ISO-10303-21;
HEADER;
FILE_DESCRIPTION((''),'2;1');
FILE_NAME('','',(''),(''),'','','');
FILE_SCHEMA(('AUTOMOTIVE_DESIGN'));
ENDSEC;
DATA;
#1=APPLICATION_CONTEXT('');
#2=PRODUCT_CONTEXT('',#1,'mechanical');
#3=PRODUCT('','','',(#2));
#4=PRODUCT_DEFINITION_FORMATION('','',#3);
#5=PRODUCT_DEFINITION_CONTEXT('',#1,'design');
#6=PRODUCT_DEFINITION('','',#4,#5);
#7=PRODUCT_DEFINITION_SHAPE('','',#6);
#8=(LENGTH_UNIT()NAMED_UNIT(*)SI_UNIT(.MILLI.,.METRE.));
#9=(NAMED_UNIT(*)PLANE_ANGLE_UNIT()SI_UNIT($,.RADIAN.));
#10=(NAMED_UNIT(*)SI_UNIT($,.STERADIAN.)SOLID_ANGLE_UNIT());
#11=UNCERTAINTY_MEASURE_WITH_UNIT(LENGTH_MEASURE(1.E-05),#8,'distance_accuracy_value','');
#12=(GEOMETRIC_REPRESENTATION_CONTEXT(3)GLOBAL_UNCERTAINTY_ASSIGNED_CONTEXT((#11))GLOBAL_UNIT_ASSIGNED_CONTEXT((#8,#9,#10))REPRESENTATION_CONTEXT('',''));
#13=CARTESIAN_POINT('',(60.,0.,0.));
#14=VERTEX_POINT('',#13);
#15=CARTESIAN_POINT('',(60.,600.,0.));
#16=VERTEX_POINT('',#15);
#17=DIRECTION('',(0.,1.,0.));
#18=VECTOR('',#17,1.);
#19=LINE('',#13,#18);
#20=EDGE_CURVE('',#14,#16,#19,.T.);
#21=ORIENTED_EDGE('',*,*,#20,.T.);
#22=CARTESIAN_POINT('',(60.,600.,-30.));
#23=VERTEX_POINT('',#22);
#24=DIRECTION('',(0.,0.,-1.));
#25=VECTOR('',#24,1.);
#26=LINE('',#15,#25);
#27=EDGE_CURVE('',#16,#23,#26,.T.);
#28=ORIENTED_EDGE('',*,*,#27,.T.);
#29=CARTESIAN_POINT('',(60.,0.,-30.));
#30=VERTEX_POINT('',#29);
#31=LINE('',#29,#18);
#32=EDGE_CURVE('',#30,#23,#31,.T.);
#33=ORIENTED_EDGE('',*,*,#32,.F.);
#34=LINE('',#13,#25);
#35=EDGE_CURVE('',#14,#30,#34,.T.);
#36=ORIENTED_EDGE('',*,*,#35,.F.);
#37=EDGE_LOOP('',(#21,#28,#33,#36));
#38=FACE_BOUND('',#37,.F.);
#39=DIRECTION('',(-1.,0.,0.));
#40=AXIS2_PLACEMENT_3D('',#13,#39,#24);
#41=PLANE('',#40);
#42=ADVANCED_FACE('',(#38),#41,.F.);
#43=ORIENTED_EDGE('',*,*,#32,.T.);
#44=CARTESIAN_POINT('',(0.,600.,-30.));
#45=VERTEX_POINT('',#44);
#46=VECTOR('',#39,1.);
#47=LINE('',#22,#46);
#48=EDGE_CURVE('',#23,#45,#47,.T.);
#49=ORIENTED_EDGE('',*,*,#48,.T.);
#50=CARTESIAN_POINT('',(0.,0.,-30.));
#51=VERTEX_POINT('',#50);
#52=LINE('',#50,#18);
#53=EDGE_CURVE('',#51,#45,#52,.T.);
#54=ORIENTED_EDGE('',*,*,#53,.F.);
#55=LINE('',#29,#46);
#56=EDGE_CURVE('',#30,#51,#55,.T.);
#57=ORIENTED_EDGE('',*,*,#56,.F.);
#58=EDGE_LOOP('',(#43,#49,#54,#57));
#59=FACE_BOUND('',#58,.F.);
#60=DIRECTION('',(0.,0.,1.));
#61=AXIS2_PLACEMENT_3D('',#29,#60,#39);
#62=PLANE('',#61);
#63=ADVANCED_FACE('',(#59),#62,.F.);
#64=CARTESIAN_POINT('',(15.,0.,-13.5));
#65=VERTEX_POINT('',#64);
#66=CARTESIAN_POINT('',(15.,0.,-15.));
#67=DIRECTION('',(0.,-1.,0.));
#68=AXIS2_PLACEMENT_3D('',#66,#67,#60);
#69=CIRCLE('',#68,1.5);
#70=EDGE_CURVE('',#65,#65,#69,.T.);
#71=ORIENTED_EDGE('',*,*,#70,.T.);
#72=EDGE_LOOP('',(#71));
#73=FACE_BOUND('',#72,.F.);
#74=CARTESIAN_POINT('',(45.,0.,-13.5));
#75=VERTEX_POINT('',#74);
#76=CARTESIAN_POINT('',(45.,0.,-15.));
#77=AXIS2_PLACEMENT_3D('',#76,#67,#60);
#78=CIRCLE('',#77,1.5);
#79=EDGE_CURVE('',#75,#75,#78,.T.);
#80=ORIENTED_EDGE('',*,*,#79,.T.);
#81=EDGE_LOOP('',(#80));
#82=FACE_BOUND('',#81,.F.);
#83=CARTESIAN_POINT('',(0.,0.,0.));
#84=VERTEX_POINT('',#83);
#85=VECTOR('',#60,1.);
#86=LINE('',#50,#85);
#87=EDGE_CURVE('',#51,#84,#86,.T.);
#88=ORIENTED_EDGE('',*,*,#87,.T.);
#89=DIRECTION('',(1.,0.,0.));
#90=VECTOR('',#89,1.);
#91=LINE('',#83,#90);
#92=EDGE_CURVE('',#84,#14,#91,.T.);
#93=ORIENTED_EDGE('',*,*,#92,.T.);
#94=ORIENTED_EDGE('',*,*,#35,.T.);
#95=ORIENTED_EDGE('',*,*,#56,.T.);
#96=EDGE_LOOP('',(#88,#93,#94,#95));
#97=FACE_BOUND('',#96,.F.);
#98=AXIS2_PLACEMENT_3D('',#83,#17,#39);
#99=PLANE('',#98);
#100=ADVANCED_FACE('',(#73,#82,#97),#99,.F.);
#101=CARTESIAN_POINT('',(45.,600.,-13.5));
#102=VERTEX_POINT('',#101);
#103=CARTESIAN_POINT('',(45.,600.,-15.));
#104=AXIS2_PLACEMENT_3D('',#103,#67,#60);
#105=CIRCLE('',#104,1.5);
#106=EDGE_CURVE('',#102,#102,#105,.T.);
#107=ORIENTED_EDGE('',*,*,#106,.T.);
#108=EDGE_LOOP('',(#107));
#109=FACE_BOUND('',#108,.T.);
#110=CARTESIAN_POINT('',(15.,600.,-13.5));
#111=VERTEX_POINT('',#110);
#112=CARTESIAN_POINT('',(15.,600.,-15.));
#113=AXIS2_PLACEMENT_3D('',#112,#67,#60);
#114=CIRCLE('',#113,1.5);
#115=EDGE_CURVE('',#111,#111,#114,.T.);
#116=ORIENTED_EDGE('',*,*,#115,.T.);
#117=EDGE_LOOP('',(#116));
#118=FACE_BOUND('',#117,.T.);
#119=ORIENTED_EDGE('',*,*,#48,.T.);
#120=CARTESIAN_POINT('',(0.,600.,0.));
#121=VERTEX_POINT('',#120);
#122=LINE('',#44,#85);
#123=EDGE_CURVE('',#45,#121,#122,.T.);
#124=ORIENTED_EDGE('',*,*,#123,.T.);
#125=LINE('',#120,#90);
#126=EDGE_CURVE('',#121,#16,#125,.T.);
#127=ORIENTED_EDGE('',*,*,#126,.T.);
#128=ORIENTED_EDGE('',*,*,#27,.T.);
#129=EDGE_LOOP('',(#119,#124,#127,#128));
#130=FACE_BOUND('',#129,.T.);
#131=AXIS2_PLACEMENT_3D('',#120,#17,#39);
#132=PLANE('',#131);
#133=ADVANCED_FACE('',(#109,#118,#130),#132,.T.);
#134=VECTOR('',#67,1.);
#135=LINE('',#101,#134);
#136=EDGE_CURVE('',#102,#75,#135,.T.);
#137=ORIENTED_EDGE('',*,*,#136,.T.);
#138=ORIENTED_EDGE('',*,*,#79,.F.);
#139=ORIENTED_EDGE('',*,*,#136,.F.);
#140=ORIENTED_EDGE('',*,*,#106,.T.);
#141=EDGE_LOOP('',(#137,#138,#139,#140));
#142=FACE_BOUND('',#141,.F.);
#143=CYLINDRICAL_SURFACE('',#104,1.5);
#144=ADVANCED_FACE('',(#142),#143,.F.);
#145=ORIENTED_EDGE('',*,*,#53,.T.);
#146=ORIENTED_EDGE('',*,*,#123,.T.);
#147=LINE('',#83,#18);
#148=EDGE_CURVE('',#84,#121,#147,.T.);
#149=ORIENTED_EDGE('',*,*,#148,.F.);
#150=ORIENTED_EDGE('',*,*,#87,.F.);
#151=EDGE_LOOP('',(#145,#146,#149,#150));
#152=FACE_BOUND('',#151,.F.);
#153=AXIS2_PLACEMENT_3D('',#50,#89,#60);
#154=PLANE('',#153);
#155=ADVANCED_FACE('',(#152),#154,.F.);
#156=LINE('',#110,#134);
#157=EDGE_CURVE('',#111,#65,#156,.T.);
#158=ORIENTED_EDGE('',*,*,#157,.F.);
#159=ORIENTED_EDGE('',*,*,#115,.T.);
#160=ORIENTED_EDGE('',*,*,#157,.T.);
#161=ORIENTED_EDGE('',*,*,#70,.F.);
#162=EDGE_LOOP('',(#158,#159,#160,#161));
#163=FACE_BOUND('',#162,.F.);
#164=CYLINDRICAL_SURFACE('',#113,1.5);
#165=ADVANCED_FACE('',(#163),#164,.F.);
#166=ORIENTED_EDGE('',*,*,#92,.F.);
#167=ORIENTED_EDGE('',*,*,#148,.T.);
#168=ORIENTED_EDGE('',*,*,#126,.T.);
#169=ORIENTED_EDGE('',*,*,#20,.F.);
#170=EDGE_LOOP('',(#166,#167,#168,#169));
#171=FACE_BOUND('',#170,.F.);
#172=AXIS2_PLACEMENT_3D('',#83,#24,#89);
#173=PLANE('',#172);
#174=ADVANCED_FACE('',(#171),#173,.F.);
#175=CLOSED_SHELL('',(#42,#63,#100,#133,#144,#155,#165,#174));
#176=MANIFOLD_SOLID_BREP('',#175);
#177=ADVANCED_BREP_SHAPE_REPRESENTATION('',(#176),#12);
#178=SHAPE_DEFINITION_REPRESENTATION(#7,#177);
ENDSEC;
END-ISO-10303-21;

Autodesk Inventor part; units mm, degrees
ref_plane "YZ Plane" through (0, 0, 0) normal (1, 0, 0) x (0, 1, 0)
ref_plane "XZ Plane" through (0, 0, 0) normal (0, 1, 0) x (-1, 0, 0)
ref_plane "XY Plane" through (0, 0, 0) normal (0, 0, 1) x (1, 0, 0)
sketch "Эскиз1" plane through (0, 0, 0) normal (0, 1, 0) x (-1, 0, 0)
  line L0 (0, 0) -> (-60, 0)
  line L1 (-60, 0) -> (-60, -30)
  line L2 (-60, -30) -> (0, -30)
  line L3 (0, -30) -> (0, 0)
  dimension "d0" = 60
  dimension "d1" = 30
extrude "Выдавливание1" add sketch "Эскиз1" along normal blind 600
sketch "Эскиз2" plane through (0, 600, 0) normal (0, 1, 0) x (1, 0, 0)
  line L0 (0, 30) -> (0, 0) projected
  point P0 (15, 15)
  point P1 (45, 15)
  point P2 (0, 15)
  dimension "d4" = 30
  dimension "d5" = 15
hole "Отверстие1" at (15, 600, -15) at (45, 600, -15) direction (0, -1, 0) diameter 3 end through all
properties part number "stand_vert"
